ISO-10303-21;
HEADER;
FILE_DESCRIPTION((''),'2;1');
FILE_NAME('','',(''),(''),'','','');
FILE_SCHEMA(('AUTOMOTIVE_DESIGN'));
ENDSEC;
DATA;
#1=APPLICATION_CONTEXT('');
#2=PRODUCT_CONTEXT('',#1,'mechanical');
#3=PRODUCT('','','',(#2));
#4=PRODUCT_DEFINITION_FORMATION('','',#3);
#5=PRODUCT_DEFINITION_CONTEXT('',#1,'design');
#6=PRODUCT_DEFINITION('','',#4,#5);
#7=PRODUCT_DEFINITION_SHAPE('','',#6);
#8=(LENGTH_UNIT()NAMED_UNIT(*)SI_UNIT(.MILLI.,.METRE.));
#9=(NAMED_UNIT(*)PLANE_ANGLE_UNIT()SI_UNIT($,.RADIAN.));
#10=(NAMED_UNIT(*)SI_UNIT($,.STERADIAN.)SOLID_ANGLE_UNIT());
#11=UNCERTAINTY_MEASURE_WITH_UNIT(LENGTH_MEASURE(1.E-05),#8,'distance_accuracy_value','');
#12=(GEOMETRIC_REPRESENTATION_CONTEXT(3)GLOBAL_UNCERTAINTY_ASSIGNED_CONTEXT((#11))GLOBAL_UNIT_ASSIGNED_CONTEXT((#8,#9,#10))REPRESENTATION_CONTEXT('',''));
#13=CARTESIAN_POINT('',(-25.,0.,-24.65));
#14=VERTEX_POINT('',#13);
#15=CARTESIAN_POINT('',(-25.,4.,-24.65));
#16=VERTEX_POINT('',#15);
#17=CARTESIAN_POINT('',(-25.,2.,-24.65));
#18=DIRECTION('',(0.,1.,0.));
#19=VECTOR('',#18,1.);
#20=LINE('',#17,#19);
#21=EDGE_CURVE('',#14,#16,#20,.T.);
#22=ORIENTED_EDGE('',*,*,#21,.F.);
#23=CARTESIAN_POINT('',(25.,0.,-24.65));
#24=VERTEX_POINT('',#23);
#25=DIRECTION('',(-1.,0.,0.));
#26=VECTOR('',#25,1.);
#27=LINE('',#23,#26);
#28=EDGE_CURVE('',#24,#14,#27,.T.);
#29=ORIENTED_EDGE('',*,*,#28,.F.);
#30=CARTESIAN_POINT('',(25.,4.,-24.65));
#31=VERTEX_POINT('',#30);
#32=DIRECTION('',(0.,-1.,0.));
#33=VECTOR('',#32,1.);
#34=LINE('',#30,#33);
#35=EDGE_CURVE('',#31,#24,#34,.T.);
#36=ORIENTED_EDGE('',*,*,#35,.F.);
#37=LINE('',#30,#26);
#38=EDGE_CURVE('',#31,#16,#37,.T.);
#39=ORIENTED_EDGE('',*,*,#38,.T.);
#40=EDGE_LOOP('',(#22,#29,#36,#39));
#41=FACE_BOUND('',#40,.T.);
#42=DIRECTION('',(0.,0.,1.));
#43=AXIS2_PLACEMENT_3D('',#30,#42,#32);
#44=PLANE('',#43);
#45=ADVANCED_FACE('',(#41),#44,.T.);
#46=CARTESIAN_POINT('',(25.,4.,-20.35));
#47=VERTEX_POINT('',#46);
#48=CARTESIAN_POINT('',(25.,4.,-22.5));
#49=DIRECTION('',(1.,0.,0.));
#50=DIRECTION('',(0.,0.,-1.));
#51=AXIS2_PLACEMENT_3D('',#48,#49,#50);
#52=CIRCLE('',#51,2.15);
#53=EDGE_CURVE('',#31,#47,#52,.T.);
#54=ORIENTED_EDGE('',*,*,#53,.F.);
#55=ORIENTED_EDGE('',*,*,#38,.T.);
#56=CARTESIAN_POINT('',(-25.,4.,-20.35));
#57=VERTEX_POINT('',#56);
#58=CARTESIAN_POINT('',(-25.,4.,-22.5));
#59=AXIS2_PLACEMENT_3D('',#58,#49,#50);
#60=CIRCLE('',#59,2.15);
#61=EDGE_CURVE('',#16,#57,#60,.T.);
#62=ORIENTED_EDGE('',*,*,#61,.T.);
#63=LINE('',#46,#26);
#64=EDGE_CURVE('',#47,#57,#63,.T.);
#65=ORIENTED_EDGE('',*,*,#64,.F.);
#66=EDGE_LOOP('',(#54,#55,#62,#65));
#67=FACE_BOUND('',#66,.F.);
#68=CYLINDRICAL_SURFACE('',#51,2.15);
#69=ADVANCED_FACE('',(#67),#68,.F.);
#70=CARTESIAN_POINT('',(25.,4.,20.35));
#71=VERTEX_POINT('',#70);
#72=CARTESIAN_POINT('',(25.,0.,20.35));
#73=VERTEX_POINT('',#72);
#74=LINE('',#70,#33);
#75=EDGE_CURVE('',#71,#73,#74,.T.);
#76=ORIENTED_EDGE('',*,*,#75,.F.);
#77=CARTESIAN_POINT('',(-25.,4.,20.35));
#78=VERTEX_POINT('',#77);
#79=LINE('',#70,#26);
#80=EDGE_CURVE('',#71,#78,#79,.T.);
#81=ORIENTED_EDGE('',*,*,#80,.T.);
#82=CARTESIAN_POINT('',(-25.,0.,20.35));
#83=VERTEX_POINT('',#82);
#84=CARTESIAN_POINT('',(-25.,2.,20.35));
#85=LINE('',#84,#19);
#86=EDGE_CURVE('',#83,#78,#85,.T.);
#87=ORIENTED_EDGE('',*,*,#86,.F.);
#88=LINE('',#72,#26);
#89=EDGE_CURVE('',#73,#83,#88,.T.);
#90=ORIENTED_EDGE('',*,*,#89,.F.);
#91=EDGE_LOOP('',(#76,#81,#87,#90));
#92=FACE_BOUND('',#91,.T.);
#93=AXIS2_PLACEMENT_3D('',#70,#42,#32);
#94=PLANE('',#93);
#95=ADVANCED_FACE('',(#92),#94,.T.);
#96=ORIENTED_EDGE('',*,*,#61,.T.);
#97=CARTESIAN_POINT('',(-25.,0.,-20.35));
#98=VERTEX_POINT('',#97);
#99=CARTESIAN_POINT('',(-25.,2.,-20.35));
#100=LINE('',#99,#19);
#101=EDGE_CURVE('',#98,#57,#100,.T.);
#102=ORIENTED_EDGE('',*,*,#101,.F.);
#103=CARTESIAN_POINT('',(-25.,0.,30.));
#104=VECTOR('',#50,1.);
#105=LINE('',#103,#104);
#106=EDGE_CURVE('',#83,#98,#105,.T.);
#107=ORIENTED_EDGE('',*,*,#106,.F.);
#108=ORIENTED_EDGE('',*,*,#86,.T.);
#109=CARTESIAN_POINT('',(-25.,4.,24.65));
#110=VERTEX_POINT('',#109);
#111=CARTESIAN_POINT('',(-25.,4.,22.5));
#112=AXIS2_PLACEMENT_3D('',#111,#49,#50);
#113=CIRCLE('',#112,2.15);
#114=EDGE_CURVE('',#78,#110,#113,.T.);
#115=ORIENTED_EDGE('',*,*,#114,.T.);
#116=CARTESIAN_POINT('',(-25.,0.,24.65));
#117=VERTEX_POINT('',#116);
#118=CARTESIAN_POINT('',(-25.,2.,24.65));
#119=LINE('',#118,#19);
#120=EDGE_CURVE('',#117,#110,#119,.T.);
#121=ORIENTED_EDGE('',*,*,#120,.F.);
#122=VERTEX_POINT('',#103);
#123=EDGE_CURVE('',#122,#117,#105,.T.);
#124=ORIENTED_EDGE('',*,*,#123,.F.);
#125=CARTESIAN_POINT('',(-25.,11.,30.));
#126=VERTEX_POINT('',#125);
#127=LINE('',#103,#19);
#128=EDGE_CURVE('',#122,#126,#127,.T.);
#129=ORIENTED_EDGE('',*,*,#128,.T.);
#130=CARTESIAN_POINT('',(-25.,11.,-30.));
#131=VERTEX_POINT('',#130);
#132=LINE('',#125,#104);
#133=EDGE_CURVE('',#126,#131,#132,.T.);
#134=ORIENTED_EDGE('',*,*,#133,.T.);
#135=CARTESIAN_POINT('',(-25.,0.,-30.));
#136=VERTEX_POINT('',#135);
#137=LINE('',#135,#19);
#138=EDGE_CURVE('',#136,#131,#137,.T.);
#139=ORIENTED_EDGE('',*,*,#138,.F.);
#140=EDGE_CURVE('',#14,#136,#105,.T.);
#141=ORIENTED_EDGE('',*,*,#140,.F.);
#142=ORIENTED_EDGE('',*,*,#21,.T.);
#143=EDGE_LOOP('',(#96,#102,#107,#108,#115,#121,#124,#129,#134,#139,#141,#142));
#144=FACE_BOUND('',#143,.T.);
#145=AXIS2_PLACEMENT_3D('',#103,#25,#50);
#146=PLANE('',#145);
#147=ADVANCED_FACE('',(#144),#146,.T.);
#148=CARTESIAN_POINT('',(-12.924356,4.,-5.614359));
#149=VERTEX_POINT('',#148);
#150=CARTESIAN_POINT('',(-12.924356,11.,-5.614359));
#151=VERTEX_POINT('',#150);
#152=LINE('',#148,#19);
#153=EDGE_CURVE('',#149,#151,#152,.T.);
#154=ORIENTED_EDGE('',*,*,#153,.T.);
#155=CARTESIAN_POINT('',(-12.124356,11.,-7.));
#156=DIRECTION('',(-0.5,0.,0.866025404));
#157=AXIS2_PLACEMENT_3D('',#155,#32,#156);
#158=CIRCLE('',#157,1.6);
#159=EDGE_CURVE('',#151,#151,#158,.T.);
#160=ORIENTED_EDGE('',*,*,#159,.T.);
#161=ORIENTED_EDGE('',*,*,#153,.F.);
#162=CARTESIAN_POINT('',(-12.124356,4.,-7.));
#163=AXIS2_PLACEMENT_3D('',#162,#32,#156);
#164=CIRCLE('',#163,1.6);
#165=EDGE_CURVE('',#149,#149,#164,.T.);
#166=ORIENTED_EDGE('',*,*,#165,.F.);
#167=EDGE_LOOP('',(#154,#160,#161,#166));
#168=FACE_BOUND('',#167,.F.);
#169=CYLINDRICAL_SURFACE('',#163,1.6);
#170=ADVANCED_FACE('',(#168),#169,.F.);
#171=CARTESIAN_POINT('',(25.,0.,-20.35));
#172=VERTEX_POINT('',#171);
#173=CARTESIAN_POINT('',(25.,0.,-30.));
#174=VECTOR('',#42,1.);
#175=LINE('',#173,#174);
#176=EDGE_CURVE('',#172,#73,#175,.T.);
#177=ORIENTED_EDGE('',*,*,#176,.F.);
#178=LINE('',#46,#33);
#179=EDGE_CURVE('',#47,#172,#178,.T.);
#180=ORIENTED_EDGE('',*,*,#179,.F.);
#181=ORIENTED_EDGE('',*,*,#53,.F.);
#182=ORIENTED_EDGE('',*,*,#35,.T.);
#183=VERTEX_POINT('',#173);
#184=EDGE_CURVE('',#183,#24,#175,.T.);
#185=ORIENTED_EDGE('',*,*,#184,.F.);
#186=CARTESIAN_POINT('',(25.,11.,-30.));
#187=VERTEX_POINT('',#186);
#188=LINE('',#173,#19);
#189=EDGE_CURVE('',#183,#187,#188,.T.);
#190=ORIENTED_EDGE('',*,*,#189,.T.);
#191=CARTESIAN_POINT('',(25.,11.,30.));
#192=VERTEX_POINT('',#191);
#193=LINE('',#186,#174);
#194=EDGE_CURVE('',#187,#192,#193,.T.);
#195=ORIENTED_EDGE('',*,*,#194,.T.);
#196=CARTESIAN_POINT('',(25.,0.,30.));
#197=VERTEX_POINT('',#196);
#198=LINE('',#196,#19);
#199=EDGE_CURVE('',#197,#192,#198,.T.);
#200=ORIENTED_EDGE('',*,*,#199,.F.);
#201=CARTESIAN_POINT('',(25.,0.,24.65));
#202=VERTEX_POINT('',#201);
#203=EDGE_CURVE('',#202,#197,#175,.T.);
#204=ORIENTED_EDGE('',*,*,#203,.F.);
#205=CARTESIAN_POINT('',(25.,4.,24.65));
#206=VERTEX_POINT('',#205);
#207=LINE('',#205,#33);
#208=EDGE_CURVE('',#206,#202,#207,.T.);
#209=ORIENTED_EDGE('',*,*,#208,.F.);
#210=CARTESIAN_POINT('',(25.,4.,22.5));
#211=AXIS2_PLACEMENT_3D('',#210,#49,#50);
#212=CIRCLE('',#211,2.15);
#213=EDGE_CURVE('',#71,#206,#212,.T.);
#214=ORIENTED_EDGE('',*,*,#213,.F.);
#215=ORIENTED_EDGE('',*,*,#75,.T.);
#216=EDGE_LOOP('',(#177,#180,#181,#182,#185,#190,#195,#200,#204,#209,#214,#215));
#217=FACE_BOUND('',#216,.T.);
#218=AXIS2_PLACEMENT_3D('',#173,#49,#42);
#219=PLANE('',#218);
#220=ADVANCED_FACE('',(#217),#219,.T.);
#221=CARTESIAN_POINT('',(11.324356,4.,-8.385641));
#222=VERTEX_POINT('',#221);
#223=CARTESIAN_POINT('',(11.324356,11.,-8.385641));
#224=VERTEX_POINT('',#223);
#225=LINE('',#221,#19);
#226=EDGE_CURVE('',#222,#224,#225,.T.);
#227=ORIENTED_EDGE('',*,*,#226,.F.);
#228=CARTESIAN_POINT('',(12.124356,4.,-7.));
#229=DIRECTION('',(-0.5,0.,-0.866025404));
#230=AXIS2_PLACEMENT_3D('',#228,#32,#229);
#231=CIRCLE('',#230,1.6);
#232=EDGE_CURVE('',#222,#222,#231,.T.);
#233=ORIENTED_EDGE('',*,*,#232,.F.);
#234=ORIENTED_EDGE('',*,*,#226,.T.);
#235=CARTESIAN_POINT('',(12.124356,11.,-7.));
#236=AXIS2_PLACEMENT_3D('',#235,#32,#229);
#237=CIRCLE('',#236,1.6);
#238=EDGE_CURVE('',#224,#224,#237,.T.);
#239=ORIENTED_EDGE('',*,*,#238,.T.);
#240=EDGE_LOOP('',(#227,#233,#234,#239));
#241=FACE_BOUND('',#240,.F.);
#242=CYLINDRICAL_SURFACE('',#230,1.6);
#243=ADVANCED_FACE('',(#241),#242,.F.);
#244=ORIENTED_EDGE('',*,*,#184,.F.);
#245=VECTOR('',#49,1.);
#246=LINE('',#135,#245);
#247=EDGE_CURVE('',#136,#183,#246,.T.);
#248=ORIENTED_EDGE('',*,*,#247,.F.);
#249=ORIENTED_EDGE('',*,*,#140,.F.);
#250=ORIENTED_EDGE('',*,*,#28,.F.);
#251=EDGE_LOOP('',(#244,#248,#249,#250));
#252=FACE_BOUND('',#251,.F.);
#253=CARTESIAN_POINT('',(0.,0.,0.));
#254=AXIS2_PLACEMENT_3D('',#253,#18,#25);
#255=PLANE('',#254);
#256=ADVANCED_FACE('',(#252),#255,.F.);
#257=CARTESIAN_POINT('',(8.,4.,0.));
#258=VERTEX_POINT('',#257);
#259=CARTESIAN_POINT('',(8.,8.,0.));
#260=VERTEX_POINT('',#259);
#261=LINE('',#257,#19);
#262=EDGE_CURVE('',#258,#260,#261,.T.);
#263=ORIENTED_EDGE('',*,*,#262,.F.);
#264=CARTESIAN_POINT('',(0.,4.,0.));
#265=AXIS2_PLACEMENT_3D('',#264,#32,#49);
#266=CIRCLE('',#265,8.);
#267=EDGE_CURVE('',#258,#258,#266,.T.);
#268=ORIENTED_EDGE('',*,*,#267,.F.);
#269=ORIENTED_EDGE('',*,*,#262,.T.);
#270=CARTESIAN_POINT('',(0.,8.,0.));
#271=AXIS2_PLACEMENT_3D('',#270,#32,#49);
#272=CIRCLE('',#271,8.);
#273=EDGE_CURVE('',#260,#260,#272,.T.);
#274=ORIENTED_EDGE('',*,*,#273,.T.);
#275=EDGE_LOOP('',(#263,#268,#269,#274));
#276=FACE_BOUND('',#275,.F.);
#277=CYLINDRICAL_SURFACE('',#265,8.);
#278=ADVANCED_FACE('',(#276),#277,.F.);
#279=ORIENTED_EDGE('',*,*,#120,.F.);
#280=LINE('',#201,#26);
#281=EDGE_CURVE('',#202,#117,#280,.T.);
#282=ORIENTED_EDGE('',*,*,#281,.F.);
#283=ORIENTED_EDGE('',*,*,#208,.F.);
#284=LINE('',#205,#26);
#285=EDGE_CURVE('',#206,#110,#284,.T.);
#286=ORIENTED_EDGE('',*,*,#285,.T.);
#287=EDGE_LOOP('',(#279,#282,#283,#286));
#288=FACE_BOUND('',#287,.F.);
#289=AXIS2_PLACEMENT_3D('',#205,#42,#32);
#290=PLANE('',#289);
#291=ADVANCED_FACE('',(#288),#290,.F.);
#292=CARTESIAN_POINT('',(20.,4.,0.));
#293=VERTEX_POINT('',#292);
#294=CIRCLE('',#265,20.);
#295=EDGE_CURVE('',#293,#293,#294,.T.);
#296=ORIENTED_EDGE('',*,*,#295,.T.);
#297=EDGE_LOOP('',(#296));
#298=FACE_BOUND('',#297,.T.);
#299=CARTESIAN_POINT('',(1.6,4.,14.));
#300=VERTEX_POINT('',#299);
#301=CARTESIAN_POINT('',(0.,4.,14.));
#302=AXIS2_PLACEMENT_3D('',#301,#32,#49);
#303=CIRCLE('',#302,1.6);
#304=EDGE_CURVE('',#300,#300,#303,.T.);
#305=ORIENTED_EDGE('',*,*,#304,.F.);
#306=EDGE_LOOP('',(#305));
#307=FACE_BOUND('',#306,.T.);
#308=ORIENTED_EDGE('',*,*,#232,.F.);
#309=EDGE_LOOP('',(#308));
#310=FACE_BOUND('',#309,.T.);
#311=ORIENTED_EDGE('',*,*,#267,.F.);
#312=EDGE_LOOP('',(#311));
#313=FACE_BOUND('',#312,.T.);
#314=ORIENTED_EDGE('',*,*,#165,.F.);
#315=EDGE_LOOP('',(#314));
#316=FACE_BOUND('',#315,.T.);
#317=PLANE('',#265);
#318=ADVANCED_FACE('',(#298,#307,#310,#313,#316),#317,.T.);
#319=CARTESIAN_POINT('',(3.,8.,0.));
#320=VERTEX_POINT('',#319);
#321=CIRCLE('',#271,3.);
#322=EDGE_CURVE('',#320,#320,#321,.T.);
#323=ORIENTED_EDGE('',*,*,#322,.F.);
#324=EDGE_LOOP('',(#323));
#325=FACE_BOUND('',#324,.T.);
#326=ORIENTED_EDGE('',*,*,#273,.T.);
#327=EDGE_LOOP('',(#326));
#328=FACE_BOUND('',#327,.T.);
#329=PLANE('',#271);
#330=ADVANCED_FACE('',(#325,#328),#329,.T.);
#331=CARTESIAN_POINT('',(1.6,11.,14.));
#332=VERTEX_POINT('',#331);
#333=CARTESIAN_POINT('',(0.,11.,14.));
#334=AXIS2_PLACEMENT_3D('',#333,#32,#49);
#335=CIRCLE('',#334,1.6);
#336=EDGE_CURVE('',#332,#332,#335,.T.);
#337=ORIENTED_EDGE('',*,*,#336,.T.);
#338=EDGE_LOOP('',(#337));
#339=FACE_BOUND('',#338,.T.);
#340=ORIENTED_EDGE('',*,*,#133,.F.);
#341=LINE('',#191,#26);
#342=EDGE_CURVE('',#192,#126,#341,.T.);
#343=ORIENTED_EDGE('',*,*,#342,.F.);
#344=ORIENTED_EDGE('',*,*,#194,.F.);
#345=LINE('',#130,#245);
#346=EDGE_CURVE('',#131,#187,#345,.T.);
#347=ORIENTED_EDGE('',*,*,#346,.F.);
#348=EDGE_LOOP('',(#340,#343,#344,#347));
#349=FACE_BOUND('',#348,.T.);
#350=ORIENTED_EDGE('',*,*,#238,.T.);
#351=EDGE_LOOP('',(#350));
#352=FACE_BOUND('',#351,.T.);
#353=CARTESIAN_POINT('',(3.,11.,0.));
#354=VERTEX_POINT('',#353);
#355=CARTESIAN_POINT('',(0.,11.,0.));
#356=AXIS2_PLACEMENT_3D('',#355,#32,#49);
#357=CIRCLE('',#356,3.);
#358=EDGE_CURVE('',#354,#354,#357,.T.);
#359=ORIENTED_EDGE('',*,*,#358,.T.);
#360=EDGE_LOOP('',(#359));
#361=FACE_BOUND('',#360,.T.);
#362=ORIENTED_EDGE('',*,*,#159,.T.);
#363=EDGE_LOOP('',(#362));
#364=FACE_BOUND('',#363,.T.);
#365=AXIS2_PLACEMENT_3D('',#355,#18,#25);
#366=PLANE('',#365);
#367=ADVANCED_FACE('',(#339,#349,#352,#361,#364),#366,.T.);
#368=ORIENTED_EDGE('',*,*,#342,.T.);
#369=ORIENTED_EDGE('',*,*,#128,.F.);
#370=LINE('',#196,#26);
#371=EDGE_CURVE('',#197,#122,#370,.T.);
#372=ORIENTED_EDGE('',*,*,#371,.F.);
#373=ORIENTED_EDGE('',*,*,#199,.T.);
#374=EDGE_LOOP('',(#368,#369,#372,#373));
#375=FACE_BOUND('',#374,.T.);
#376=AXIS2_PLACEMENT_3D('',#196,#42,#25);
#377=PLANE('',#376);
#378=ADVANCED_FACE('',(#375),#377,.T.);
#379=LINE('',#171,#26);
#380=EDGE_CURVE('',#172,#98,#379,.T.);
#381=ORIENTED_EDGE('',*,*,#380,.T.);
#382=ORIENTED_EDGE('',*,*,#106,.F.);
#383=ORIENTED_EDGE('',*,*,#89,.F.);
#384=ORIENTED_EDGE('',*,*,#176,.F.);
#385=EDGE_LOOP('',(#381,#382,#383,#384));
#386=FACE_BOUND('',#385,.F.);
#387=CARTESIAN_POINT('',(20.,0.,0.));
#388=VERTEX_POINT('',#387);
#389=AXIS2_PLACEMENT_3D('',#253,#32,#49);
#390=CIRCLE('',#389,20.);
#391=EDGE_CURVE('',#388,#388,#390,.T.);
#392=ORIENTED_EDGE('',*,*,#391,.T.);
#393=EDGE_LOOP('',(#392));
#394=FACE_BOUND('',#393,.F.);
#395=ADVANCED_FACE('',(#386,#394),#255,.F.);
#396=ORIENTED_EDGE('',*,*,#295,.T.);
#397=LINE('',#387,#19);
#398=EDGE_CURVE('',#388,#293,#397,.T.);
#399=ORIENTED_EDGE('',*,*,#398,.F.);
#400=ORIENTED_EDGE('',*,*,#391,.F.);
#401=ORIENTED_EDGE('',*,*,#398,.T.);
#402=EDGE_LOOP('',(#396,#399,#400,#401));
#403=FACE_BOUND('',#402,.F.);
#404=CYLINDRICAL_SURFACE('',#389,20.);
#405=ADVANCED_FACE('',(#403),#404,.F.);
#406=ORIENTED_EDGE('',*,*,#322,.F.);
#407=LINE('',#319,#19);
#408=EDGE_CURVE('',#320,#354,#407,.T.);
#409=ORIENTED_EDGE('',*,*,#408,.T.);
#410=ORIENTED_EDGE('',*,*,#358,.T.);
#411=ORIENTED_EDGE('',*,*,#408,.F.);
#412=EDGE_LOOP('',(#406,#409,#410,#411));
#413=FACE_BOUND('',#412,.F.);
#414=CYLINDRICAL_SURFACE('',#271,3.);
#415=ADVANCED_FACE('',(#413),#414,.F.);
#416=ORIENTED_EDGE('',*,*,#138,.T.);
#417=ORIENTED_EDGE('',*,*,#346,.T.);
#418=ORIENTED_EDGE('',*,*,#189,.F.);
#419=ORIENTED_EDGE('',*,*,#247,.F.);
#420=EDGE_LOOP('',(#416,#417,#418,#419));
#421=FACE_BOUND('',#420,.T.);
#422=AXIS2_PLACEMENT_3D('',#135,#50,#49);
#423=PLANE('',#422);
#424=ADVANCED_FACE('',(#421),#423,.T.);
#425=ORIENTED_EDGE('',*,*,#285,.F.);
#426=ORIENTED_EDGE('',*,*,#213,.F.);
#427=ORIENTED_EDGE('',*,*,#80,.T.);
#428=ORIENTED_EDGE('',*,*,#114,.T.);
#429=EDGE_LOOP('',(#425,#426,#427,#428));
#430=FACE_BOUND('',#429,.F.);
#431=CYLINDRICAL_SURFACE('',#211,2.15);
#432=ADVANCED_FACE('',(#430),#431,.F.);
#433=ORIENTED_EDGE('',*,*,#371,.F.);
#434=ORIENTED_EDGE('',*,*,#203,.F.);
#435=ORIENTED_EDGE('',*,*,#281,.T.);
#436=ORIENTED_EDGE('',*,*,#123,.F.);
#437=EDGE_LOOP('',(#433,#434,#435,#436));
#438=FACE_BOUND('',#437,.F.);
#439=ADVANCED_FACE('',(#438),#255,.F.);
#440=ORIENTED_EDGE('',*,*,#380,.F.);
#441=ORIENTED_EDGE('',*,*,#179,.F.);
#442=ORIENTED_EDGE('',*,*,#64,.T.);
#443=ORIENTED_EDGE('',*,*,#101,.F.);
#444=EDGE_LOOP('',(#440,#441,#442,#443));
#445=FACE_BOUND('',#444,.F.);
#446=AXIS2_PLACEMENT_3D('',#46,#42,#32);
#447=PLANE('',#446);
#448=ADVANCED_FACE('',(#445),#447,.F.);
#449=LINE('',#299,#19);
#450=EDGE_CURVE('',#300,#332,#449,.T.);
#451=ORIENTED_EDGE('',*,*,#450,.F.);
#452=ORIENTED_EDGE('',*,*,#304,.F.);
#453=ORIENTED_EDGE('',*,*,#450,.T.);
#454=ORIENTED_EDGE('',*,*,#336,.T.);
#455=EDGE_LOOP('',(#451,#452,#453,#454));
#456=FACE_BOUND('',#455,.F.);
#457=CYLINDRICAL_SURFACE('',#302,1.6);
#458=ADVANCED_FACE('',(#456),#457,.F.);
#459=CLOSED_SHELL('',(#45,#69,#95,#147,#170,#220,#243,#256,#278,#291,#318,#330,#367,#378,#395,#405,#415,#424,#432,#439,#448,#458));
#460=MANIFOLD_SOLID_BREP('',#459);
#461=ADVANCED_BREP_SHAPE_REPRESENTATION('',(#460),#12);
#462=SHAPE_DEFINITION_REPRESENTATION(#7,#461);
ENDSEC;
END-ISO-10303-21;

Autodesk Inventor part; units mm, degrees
ref_plane "YZ Plane" through (0, 0, 0) normal (1, 0, 0) x (0, 1, 0)
ref_plane "XZ Plane" through (0, 0, 0) normal (0, 1, 0) x (-1, 0, 0)
ref_plane "XY Plane" through (0, 0, 0) normal (0, 0, 1) x (1, 0, 0)
sketch "Esquisse2" plane through (0, 0, 0) normal (0, 1, 0) x (-1, 0, 0)
  line L0 (25, -30) -> (-25, -30)
  line L1 (-25, -30) -> (-25, 30)
  line L2 (-25, 30) -> (25, 30)
  line L3 (25, 30) -> (25, -30)
  point P0 (0, 0)
  dimension "d0" = 50
  dimension "d1" = 60
  dimension "d2" = 25
  dimension "d3" = 30
extrude "Extrusion1" add sketch "Esquisse2" along normal blind 11
sketch "Esquisse3" plane through (25, 0, 30) normal (1, 0, 0) x (0, 0, -1)
  line L0 (60, 0) -> (0, 0) projected
  line L1 (60, 0) -> (60, 11) projected
  line L2 (0, 0) -> (0, 11) projected
  circle A0 centre (7.5, 4) radius 2.15
  circle A1 centre (52.5, 4) radius 2.15
  line L3 (5.35, 4) -> (5.35, 0)
  line L4 (9.65, 4) -> (9.65, 0)
  line L5 (9.65, 0) -> (5.35, 0)
  line L6 (50.35, 4) -> (50.35, 0)
  line L7 (54.65, 4) -> (54.65, 0)
  line L8 (54.65, 0) -> (50.35, 0)
  point P0 (30, 0)
  dimension "d6" = 4.3
  dimension "d7" = 4.3
  dimension "d8" = 45
  dimension "d9" = 7.5
  dimension "d10" = 7.5
  dimension "d11" = 60
  dimension "d12" = 4
extrude "Extrusion2" cut sketch "Esquisse3" against normal through all
sketch "Esquisse4" plane through (0, 0, 0) normal (0, -1, 0) x (1, 0, 0)
  circle A0 centre (0, 0) radius 20
  dimension "d15" = 40
extrude "Extrusion3" cut sketch "Esquisse4" against normal blind 4
sketch "Esquisse5" plane through (0, 4, 0) normal (0, -1, 0) x (1, 0, 0)
  circle A0 centre (0, 0) radius 20 projected
  circle A1 centre (0, 0) radius 8
  point P0 (8.7559, 17.9815)
  point P1 (8.7559, -17.9815)
  dimension "d18" = 16
extrude "Extrusion4" cut sketch "Esquisse5" against normal blind 4 contours A1
sketch "Esquisse7" plane through (0, 8, 0) normal (0, -1, 0) x (1, 0, 0)
  circle A0 centre (0, 0) radius 8 projected
  circle A1 centre (0, 0) radius 3
  dimension "d24" = 6
extrude "Extrusion6" cut sketch "Esquisse7" against normal through all contours A1
sketch "Esquisse8" plane through (0, 4, 0) normal (0, -1, 0) x (1, 0, 0)
  circle A0 centre (0, 0) radius 8 projected
  circle A1 centre (0, 14) radius 1.6
  dimension "d27" = 3.2
  dimension "d28" = 14
extrude "Extrusion7" cut sketch "Esquisse8" against normal through all contours A1
pattern_circular "Réseau circulaire1" count 3 over 360 about axis through (0, 4, 0) along (0, 1, 0) of "Extrusion7"
equation "\"d2\" = 0.5 * d0"
equation "\"d3\" = 0.5 * d1"
equation "\"d9\" = d10"
equation "\"d10\" = -0.5 * d8 + 0.5 * d11"
properties part number "Fixation_moteur" material "Plastique ABS"
